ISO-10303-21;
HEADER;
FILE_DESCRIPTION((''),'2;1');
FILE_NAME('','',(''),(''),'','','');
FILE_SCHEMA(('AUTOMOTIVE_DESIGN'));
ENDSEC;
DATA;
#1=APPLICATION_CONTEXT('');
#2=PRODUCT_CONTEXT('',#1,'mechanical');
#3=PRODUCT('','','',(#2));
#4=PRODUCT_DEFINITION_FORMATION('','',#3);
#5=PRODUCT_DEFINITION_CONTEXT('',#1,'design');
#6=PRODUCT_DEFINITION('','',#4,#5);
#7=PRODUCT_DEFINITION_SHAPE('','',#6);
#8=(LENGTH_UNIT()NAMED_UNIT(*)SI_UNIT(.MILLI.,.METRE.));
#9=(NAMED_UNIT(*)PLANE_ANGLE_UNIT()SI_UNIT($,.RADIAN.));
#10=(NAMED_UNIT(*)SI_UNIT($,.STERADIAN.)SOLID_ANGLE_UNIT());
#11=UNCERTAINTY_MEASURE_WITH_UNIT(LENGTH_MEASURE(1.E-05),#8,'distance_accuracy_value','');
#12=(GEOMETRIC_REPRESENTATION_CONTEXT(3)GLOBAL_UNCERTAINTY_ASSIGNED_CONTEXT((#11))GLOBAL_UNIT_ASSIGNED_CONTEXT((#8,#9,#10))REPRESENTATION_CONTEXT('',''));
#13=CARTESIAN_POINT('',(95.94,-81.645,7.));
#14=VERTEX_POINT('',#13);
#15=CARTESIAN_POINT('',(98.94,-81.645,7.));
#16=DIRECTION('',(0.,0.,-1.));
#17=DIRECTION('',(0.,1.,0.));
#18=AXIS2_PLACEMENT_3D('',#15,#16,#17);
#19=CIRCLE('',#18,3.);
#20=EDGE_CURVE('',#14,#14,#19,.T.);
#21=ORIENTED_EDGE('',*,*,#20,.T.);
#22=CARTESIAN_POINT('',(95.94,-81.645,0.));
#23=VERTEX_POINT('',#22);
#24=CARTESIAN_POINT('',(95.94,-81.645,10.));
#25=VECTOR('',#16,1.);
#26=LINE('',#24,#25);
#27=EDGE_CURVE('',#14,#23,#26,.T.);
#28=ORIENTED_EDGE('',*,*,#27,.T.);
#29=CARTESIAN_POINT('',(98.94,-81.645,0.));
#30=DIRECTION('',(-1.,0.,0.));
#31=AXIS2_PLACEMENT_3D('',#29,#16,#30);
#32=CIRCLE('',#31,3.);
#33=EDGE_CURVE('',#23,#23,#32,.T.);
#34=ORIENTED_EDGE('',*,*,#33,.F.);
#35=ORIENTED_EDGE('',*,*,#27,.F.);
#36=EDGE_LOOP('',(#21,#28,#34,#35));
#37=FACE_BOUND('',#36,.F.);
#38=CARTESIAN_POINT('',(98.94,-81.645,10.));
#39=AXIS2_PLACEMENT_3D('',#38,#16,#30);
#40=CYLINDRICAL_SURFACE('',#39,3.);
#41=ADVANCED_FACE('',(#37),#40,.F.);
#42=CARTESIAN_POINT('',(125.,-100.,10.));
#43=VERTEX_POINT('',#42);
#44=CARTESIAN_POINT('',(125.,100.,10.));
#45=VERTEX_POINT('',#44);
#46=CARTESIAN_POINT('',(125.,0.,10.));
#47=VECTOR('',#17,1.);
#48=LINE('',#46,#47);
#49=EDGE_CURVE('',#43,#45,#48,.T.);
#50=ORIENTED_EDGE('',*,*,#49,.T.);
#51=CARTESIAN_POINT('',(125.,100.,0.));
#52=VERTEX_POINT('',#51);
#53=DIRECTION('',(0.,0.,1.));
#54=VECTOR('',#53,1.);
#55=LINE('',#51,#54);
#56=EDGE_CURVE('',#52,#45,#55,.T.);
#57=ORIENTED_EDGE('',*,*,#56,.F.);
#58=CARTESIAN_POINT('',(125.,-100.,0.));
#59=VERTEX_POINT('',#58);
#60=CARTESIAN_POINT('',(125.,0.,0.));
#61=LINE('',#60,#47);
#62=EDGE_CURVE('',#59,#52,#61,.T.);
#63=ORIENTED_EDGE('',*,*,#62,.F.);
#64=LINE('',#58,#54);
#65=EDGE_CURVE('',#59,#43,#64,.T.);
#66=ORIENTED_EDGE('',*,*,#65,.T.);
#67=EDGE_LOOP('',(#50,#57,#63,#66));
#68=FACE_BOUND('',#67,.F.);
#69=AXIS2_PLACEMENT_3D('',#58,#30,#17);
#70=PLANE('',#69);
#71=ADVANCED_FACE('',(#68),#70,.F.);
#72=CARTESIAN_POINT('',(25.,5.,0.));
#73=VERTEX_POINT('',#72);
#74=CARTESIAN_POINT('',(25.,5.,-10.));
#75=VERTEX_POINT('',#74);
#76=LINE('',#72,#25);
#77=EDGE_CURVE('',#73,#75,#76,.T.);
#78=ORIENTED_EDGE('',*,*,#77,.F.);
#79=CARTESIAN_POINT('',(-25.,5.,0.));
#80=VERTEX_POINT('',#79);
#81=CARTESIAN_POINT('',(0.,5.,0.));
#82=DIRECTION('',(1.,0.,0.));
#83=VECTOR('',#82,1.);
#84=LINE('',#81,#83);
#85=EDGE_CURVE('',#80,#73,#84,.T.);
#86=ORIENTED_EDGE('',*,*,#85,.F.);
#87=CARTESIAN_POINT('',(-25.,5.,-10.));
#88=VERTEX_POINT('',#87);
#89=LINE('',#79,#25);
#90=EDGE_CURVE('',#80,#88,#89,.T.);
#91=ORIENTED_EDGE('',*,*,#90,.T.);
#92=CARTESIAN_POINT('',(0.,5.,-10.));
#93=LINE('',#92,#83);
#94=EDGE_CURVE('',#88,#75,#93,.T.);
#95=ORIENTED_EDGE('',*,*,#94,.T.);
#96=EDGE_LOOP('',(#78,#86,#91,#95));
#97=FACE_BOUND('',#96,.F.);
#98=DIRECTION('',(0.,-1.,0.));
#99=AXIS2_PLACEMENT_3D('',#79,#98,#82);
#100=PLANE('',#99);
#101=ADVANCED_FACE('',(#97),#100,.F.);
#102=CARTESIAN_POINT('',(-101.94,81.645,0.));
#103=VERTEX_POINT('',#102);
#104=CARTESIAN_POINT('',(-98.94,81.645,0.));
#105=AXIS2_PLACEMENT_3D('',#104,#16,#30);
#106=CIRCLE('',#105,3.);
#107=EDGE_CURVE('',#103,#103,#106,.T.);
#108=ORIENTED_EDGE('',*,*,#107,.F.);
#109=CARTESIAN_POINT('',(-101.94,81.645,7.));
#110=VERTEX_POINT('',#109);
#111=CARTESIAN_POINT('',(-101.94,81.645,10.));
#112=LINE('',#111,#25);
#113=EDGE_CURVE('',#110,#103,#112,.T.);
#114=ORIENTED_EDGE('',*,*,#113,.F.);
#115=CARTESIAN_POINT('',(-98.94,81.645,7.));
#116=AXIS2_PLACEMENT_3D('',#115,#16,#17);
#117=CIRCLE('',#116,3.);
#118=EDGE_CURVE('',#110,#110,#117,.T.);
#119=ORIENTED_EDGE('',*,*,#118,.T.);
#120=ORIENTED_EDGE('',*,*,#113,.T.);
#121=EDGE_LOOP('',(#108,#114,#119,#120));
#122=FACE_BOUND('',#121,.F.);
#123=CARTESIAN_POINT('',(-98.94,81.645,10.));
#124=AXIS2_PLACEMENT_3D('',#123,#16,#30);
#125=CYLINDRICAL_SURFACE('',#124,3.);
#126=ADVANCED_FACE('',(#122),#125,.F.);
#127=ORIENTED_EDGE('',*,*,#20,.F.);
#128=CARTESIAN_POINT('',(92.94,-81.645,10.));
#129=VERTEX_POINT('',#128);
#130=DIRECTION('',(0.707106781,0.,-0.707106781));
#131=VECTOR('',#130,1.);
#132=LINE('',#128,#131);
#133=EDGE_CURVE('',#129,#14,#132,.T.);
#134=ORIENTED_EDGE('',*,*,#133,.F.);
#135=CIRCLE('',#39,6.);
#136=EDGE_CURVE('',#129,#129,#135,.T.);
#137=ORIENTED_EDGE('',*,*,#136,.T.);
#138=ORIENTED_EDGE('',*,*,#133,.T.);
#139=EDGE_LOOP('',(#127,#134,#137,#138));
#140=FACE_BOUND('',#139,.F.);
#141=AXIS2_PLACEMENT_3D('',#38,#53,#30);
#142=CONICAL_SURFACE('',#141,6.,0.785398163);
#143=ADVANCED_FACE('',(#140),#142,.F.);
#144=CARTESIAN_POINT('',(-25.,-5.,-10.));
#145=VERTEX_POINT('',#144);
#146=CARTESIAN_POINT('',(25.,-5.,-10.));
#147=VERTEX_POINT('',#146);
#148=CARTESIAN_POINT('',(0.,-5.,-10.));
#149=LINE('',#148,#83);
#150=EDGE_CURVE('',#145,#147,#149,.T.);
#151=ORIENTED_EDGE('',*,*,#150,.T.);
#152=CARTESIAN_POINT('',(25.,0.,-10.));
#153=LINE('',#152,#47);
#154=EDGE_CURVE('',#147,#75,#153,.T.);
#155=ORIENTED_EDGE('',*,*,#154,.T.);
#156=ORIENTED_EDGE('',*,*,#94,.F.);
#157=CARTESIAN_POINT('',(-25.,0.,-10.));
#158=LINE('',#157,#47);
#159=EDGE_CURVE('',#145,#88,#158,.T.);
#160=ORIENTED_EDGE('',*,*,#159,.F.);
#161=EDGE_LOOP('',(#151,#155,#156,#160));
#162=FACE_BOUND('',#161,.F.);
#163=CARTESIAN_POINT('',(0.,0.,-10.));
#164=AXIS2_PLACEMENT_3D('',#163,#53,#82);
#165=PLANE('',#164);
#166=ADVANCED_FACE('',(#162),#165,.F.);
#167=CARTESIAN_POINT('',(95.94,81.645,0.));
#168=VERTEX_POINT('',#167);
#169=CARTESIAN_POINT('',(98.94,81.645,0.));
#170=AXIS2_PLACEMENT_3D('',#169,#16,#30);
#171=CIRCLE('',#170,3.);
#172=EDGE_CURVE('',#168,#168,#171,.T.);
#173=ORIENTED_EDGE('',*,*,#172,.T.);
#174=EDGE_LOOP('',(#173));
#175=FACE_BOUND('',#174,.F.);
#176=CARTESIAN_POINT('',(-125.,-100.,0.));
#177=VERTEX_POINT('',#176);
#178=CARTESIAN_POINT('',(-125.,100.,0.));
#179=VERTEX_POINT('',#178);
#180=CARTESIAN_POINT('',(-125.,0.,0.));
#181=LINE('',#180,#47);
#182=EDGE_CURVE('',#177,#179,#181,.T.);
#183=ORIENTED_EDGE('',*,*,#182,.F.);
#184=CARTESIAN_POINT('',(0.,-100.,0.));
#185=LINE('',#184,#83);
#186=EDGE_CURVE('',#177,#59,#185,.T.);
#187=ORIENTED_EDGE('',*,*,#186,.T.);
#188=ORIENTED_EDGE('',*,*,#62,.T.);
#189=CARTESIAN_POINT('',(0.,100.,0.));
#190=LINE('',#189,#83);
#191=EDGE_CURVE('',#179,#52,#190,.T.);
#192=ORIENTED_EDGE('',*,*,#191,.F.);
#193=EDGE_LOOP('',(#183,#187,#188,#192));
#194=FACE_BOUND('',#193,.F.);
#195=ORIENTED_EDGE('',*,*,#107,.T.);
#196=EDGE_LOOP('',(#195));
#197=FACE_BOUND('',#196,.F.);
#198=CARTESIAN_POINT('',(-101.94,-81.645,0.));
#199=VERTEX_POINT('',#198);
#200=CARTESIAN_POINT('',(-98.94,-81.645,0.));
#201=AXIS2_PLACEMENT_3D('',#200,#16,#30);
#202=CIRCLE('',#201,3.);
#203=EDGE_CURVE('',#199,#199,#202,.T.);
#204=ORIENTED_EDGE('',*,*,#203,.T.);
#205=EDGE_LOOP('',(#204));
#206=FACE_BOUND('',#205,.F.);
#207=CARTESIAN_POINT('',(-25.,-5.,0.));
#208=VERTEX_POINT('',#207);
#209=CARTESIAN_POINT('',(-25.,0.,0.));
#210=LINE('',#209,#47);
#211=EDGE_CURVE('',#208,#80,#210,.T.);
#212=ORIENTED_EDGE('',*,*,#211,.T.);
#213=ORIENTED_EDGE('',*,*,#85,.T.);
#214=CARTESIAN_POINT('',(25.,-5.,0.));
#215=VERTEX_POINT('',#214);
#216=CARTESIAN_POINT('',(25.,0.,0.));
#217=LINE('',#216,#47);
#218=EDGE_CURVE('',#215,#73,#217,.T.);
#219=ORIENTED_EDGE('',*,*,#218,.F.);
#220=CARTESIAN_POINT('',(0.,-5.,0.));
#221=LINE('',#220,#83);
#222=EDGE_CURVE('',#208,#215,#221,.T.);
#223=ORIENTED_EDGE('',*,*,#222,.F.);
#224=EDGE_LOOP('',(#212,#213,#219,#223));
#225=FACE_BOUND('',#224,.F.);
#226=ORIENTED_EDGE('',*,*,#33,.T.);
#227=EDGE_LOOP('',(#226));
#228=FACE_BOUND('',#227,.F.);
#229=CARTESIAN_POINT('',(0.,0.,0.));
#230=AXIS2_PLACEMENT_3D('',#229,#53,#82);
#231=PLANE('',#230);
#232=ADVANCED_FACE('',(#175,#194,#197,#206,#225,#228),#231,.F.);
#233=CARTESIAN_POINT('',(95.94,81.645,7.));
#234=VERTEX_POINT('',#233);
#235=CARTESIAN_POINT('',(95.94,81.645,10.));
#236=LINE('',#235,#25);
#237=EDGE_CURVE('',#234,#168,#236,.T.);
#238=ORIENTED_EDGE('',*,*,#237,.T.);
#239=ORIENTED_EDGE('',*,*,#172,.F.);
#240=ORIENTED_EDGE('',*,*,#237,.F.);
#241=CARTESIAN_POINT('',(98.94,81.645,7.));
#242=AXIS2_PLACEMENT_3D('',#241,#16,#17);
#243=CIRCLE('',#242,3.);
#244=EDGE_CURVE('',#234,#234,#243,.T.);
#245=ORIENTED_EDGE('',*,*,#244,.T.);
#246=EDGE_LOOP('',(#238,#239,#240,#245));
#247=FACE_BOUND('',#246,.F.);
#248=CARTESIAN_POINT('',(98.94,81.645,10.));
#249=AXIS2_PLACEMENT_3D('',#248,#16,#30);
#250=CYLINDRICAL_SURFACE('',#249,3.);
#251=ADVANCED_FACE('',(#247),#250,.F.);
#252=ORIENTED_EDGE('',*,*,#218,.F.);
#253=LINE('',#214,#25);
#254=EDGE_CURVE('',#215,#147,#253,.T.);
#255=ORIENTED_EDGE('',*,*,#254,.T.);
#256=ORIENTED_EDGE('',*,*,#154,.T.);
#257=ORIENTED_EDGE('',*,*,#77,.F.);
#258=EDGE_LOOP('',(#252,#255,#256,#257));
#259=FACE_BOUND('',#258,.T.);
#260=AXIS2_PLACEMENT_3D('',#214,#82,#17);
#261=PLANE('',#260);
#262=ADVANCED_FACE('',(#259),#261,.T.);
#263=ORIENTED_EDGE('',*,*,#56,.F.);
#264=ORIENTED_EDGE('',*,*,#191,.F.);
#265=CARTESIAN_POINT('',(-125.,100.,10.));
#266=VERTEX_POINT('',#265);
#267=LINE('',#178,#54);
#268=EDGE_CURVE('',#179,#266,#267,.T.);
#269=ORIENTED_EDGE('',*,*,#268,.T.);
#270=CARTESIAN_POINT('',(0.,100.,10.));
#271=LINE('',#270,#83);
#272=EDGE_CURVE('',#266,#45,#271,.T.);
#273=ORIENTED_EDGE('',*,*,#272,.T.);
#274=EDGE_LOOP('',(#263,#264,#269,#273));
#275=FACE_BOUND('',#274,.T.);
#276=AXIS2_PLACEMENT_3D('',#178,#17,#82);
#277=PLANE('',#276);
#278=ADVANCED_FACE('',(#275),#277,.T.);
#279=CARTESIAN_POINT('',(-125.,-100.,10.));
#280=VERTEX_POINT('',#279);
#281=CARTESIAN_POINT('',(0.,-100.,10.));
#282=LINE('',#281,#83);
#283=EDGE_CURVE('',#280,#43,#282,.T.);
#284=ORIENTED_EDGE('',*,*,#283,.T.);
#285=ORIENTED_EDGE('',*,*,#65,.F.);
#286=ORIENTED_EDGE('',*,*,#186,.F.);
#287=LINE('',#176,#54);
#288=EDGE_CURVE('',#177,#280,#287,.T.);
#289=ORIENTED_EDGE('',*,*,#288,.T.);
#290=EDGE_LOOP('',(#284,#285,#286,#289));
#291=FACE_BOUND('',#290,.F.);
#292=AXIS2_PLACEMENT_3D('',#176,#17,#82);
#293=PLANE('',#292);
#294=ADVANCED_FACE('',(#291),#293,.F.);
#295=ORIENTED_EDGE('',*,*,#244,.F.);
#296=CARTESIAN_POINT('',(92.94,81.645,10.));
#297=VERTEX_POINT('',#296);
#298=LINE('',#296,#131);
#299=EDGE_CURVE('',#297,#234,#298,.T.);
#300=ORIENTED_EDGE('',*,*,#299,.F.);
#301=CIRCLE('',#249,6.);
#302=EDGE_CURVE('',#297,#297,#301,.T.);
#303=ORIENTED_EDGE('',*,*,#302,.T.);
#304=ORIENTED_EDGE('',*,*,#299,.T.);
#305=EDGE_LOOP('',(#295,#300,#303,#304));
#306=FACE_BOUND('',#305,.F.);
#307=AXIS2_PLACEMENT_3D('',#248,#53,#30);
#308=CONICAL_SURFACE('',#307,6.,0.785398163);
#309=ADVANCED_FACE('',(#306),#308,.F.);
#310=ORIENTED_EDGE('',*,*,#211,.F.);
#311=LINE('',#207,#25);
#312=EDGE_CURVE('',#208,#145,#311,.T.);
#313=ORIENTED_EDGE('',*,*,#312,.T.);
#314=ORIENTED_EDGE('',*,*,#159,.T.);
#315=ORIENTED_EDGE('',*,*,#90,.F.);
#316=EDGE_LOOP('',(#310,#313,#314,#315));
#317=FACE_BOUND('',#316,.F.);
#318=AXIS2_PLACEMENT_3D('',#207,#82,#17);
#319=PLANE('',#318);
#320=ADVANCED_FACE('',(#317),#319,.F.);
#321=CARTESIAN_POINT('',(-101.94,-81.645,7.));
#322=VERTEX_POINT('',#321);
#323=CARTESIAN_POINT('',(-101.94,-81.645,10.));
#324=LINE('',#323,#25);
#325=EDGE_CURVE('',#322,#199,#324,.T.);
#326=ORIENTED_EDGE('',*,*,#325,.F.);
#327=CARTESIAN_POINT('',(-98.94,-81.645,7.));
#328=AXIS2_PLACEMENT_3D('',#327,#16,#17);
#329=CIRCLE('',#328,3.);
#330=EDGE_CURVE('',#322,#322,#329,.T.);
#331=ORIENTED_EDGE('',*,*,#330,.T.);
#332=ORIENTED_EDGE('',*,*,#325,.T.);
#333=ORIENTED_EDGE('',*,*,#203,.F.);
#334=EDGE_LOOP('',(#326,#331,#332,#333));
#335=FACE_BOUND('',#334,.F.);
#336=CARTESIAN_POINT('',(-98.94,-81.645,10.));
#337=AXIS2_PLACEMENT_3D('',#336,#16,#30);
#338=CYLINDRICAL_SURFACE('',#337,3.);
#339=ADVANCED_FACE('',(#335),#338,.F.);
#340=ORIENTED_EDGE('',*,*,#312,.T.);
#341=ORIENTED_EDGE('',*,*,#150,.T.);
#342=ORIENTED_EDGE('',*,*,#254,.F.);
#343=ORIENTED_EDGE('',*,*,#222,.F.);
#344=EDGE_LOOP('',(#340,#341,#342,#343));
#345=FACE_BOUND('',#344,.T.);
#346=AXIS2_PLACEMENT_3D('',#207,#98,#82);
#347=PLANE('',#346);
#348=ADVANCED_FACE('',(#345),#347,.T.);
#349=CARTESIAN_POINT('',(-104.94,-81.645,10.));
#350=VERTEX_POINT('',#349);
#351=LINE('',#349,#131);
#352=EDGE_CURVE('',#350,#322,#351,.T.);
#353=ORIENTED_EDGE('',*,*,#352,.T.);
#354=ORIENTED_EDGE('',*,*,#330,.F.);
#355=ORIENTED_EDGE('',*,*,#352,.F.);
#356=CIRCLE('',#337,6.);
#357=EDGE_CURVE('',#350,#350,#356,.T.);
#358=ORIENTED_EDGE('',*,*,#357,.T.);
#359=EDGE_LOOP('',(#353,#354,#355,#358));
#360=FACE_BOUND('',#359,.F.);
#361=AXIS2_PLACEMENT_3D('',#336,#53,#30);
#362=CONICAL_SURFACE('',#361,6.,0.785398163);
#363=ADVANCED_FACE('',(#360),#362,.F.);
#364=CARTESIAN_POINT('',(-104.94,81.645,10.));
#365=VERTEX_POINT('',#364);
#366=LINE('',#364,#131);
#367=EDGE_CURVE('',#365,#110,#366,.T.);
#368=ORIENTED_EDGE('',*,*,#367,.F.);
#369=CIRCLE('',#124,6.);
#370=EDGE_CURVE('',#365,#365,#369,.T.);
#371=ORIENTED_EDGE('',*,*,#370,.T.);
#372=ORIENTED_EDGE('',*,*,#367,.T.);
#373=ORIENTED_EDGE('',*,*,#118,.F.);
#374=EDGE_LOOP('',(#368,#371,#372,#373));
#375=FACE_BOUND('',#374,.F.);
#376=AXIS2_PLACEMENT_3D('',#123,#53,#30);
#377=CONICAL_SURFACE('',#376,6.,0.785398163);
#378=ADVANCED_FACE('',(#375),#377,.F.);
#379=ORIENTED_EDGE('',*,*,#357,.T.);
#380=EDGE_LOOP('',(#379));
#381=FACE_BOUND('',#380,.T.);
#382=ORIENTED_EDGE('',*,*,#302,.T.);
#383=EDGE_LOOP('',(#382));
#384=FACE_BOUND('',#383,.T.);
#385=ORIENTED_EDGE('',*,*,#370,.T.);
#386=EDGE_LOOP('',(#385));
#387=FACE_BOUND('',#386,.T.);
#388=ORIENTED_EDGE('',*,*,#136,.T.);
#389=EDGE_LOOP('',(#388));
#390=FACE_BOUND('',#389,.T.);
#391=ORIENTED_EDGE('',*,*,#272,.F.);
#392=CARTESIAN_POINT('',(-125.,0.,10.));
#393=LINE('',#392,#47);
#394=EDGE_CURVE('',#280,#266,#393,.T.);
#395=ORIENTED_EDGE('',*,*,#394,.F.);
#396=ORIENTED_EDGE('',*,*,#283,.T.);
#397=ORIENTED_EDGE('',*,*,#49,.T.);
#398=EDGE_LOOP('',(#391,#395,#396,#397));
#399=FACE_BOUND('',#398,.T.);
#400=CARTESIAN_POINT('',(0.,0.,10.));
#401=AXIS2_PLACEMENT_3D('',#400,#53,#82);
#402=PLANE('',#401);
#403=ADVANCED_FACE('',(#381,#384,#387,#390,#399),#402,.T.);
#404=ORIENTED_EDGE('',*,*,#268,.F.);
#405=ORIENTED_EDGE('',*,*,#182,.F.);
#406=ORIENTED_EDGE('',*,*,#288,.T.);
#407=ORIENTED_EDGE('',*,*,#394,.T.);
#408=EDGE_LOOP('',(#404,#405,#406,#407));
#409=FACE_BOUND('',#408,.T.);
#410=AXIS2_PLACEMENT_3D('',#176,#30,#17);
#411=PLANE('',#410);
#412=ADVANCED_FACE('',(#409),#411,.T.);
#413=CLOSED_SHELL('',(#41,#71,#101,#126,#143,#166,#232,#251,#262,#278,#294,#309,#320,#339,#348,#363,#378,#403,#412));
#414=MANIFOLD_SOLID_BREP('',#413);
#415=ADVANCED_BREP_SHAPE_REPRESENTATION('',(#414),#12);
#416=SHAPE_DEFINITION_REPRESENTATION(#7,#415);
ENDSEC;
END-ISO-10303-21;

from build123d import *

# Parameters (mm, degrees)
F0_W           = 250
F0_H           = 200
F1_DEPTH       = 10
F3_D           = 6
F3_CSINK_D     = 12
F3_CSINK_ANGLE = 90
F4_W           = 50
F4_H           = 10
F5_DEPTH       = 10


with BuildPart() as f1:
    # F0 (on Top) → F1 (new body)
    with BuildSketch(Plane.XY):
        Rectangle(F0_W, F0_H)
    extrude(amount=F1_DEPTH)

    # F3 (through all)
    with Locations(Plane.XY.offset(10)):
        with Locations((-98.94, 81.645), (98.94, 81.645), (98.94, -81.645), (-98.94, -81.645)):
            CounterSinkHole(F3_D / 2, F3_CSINK_D / 2, counter_sink_angle=F3_CSINK_ANGLE)

    # F4 (on Top) → F5 (join)
    with BuildSketch(Plane.XY):
        Rectangle(F4_W, F4_H)
    extrude(amount=-F5_DEPTH)


solid = f1.part
